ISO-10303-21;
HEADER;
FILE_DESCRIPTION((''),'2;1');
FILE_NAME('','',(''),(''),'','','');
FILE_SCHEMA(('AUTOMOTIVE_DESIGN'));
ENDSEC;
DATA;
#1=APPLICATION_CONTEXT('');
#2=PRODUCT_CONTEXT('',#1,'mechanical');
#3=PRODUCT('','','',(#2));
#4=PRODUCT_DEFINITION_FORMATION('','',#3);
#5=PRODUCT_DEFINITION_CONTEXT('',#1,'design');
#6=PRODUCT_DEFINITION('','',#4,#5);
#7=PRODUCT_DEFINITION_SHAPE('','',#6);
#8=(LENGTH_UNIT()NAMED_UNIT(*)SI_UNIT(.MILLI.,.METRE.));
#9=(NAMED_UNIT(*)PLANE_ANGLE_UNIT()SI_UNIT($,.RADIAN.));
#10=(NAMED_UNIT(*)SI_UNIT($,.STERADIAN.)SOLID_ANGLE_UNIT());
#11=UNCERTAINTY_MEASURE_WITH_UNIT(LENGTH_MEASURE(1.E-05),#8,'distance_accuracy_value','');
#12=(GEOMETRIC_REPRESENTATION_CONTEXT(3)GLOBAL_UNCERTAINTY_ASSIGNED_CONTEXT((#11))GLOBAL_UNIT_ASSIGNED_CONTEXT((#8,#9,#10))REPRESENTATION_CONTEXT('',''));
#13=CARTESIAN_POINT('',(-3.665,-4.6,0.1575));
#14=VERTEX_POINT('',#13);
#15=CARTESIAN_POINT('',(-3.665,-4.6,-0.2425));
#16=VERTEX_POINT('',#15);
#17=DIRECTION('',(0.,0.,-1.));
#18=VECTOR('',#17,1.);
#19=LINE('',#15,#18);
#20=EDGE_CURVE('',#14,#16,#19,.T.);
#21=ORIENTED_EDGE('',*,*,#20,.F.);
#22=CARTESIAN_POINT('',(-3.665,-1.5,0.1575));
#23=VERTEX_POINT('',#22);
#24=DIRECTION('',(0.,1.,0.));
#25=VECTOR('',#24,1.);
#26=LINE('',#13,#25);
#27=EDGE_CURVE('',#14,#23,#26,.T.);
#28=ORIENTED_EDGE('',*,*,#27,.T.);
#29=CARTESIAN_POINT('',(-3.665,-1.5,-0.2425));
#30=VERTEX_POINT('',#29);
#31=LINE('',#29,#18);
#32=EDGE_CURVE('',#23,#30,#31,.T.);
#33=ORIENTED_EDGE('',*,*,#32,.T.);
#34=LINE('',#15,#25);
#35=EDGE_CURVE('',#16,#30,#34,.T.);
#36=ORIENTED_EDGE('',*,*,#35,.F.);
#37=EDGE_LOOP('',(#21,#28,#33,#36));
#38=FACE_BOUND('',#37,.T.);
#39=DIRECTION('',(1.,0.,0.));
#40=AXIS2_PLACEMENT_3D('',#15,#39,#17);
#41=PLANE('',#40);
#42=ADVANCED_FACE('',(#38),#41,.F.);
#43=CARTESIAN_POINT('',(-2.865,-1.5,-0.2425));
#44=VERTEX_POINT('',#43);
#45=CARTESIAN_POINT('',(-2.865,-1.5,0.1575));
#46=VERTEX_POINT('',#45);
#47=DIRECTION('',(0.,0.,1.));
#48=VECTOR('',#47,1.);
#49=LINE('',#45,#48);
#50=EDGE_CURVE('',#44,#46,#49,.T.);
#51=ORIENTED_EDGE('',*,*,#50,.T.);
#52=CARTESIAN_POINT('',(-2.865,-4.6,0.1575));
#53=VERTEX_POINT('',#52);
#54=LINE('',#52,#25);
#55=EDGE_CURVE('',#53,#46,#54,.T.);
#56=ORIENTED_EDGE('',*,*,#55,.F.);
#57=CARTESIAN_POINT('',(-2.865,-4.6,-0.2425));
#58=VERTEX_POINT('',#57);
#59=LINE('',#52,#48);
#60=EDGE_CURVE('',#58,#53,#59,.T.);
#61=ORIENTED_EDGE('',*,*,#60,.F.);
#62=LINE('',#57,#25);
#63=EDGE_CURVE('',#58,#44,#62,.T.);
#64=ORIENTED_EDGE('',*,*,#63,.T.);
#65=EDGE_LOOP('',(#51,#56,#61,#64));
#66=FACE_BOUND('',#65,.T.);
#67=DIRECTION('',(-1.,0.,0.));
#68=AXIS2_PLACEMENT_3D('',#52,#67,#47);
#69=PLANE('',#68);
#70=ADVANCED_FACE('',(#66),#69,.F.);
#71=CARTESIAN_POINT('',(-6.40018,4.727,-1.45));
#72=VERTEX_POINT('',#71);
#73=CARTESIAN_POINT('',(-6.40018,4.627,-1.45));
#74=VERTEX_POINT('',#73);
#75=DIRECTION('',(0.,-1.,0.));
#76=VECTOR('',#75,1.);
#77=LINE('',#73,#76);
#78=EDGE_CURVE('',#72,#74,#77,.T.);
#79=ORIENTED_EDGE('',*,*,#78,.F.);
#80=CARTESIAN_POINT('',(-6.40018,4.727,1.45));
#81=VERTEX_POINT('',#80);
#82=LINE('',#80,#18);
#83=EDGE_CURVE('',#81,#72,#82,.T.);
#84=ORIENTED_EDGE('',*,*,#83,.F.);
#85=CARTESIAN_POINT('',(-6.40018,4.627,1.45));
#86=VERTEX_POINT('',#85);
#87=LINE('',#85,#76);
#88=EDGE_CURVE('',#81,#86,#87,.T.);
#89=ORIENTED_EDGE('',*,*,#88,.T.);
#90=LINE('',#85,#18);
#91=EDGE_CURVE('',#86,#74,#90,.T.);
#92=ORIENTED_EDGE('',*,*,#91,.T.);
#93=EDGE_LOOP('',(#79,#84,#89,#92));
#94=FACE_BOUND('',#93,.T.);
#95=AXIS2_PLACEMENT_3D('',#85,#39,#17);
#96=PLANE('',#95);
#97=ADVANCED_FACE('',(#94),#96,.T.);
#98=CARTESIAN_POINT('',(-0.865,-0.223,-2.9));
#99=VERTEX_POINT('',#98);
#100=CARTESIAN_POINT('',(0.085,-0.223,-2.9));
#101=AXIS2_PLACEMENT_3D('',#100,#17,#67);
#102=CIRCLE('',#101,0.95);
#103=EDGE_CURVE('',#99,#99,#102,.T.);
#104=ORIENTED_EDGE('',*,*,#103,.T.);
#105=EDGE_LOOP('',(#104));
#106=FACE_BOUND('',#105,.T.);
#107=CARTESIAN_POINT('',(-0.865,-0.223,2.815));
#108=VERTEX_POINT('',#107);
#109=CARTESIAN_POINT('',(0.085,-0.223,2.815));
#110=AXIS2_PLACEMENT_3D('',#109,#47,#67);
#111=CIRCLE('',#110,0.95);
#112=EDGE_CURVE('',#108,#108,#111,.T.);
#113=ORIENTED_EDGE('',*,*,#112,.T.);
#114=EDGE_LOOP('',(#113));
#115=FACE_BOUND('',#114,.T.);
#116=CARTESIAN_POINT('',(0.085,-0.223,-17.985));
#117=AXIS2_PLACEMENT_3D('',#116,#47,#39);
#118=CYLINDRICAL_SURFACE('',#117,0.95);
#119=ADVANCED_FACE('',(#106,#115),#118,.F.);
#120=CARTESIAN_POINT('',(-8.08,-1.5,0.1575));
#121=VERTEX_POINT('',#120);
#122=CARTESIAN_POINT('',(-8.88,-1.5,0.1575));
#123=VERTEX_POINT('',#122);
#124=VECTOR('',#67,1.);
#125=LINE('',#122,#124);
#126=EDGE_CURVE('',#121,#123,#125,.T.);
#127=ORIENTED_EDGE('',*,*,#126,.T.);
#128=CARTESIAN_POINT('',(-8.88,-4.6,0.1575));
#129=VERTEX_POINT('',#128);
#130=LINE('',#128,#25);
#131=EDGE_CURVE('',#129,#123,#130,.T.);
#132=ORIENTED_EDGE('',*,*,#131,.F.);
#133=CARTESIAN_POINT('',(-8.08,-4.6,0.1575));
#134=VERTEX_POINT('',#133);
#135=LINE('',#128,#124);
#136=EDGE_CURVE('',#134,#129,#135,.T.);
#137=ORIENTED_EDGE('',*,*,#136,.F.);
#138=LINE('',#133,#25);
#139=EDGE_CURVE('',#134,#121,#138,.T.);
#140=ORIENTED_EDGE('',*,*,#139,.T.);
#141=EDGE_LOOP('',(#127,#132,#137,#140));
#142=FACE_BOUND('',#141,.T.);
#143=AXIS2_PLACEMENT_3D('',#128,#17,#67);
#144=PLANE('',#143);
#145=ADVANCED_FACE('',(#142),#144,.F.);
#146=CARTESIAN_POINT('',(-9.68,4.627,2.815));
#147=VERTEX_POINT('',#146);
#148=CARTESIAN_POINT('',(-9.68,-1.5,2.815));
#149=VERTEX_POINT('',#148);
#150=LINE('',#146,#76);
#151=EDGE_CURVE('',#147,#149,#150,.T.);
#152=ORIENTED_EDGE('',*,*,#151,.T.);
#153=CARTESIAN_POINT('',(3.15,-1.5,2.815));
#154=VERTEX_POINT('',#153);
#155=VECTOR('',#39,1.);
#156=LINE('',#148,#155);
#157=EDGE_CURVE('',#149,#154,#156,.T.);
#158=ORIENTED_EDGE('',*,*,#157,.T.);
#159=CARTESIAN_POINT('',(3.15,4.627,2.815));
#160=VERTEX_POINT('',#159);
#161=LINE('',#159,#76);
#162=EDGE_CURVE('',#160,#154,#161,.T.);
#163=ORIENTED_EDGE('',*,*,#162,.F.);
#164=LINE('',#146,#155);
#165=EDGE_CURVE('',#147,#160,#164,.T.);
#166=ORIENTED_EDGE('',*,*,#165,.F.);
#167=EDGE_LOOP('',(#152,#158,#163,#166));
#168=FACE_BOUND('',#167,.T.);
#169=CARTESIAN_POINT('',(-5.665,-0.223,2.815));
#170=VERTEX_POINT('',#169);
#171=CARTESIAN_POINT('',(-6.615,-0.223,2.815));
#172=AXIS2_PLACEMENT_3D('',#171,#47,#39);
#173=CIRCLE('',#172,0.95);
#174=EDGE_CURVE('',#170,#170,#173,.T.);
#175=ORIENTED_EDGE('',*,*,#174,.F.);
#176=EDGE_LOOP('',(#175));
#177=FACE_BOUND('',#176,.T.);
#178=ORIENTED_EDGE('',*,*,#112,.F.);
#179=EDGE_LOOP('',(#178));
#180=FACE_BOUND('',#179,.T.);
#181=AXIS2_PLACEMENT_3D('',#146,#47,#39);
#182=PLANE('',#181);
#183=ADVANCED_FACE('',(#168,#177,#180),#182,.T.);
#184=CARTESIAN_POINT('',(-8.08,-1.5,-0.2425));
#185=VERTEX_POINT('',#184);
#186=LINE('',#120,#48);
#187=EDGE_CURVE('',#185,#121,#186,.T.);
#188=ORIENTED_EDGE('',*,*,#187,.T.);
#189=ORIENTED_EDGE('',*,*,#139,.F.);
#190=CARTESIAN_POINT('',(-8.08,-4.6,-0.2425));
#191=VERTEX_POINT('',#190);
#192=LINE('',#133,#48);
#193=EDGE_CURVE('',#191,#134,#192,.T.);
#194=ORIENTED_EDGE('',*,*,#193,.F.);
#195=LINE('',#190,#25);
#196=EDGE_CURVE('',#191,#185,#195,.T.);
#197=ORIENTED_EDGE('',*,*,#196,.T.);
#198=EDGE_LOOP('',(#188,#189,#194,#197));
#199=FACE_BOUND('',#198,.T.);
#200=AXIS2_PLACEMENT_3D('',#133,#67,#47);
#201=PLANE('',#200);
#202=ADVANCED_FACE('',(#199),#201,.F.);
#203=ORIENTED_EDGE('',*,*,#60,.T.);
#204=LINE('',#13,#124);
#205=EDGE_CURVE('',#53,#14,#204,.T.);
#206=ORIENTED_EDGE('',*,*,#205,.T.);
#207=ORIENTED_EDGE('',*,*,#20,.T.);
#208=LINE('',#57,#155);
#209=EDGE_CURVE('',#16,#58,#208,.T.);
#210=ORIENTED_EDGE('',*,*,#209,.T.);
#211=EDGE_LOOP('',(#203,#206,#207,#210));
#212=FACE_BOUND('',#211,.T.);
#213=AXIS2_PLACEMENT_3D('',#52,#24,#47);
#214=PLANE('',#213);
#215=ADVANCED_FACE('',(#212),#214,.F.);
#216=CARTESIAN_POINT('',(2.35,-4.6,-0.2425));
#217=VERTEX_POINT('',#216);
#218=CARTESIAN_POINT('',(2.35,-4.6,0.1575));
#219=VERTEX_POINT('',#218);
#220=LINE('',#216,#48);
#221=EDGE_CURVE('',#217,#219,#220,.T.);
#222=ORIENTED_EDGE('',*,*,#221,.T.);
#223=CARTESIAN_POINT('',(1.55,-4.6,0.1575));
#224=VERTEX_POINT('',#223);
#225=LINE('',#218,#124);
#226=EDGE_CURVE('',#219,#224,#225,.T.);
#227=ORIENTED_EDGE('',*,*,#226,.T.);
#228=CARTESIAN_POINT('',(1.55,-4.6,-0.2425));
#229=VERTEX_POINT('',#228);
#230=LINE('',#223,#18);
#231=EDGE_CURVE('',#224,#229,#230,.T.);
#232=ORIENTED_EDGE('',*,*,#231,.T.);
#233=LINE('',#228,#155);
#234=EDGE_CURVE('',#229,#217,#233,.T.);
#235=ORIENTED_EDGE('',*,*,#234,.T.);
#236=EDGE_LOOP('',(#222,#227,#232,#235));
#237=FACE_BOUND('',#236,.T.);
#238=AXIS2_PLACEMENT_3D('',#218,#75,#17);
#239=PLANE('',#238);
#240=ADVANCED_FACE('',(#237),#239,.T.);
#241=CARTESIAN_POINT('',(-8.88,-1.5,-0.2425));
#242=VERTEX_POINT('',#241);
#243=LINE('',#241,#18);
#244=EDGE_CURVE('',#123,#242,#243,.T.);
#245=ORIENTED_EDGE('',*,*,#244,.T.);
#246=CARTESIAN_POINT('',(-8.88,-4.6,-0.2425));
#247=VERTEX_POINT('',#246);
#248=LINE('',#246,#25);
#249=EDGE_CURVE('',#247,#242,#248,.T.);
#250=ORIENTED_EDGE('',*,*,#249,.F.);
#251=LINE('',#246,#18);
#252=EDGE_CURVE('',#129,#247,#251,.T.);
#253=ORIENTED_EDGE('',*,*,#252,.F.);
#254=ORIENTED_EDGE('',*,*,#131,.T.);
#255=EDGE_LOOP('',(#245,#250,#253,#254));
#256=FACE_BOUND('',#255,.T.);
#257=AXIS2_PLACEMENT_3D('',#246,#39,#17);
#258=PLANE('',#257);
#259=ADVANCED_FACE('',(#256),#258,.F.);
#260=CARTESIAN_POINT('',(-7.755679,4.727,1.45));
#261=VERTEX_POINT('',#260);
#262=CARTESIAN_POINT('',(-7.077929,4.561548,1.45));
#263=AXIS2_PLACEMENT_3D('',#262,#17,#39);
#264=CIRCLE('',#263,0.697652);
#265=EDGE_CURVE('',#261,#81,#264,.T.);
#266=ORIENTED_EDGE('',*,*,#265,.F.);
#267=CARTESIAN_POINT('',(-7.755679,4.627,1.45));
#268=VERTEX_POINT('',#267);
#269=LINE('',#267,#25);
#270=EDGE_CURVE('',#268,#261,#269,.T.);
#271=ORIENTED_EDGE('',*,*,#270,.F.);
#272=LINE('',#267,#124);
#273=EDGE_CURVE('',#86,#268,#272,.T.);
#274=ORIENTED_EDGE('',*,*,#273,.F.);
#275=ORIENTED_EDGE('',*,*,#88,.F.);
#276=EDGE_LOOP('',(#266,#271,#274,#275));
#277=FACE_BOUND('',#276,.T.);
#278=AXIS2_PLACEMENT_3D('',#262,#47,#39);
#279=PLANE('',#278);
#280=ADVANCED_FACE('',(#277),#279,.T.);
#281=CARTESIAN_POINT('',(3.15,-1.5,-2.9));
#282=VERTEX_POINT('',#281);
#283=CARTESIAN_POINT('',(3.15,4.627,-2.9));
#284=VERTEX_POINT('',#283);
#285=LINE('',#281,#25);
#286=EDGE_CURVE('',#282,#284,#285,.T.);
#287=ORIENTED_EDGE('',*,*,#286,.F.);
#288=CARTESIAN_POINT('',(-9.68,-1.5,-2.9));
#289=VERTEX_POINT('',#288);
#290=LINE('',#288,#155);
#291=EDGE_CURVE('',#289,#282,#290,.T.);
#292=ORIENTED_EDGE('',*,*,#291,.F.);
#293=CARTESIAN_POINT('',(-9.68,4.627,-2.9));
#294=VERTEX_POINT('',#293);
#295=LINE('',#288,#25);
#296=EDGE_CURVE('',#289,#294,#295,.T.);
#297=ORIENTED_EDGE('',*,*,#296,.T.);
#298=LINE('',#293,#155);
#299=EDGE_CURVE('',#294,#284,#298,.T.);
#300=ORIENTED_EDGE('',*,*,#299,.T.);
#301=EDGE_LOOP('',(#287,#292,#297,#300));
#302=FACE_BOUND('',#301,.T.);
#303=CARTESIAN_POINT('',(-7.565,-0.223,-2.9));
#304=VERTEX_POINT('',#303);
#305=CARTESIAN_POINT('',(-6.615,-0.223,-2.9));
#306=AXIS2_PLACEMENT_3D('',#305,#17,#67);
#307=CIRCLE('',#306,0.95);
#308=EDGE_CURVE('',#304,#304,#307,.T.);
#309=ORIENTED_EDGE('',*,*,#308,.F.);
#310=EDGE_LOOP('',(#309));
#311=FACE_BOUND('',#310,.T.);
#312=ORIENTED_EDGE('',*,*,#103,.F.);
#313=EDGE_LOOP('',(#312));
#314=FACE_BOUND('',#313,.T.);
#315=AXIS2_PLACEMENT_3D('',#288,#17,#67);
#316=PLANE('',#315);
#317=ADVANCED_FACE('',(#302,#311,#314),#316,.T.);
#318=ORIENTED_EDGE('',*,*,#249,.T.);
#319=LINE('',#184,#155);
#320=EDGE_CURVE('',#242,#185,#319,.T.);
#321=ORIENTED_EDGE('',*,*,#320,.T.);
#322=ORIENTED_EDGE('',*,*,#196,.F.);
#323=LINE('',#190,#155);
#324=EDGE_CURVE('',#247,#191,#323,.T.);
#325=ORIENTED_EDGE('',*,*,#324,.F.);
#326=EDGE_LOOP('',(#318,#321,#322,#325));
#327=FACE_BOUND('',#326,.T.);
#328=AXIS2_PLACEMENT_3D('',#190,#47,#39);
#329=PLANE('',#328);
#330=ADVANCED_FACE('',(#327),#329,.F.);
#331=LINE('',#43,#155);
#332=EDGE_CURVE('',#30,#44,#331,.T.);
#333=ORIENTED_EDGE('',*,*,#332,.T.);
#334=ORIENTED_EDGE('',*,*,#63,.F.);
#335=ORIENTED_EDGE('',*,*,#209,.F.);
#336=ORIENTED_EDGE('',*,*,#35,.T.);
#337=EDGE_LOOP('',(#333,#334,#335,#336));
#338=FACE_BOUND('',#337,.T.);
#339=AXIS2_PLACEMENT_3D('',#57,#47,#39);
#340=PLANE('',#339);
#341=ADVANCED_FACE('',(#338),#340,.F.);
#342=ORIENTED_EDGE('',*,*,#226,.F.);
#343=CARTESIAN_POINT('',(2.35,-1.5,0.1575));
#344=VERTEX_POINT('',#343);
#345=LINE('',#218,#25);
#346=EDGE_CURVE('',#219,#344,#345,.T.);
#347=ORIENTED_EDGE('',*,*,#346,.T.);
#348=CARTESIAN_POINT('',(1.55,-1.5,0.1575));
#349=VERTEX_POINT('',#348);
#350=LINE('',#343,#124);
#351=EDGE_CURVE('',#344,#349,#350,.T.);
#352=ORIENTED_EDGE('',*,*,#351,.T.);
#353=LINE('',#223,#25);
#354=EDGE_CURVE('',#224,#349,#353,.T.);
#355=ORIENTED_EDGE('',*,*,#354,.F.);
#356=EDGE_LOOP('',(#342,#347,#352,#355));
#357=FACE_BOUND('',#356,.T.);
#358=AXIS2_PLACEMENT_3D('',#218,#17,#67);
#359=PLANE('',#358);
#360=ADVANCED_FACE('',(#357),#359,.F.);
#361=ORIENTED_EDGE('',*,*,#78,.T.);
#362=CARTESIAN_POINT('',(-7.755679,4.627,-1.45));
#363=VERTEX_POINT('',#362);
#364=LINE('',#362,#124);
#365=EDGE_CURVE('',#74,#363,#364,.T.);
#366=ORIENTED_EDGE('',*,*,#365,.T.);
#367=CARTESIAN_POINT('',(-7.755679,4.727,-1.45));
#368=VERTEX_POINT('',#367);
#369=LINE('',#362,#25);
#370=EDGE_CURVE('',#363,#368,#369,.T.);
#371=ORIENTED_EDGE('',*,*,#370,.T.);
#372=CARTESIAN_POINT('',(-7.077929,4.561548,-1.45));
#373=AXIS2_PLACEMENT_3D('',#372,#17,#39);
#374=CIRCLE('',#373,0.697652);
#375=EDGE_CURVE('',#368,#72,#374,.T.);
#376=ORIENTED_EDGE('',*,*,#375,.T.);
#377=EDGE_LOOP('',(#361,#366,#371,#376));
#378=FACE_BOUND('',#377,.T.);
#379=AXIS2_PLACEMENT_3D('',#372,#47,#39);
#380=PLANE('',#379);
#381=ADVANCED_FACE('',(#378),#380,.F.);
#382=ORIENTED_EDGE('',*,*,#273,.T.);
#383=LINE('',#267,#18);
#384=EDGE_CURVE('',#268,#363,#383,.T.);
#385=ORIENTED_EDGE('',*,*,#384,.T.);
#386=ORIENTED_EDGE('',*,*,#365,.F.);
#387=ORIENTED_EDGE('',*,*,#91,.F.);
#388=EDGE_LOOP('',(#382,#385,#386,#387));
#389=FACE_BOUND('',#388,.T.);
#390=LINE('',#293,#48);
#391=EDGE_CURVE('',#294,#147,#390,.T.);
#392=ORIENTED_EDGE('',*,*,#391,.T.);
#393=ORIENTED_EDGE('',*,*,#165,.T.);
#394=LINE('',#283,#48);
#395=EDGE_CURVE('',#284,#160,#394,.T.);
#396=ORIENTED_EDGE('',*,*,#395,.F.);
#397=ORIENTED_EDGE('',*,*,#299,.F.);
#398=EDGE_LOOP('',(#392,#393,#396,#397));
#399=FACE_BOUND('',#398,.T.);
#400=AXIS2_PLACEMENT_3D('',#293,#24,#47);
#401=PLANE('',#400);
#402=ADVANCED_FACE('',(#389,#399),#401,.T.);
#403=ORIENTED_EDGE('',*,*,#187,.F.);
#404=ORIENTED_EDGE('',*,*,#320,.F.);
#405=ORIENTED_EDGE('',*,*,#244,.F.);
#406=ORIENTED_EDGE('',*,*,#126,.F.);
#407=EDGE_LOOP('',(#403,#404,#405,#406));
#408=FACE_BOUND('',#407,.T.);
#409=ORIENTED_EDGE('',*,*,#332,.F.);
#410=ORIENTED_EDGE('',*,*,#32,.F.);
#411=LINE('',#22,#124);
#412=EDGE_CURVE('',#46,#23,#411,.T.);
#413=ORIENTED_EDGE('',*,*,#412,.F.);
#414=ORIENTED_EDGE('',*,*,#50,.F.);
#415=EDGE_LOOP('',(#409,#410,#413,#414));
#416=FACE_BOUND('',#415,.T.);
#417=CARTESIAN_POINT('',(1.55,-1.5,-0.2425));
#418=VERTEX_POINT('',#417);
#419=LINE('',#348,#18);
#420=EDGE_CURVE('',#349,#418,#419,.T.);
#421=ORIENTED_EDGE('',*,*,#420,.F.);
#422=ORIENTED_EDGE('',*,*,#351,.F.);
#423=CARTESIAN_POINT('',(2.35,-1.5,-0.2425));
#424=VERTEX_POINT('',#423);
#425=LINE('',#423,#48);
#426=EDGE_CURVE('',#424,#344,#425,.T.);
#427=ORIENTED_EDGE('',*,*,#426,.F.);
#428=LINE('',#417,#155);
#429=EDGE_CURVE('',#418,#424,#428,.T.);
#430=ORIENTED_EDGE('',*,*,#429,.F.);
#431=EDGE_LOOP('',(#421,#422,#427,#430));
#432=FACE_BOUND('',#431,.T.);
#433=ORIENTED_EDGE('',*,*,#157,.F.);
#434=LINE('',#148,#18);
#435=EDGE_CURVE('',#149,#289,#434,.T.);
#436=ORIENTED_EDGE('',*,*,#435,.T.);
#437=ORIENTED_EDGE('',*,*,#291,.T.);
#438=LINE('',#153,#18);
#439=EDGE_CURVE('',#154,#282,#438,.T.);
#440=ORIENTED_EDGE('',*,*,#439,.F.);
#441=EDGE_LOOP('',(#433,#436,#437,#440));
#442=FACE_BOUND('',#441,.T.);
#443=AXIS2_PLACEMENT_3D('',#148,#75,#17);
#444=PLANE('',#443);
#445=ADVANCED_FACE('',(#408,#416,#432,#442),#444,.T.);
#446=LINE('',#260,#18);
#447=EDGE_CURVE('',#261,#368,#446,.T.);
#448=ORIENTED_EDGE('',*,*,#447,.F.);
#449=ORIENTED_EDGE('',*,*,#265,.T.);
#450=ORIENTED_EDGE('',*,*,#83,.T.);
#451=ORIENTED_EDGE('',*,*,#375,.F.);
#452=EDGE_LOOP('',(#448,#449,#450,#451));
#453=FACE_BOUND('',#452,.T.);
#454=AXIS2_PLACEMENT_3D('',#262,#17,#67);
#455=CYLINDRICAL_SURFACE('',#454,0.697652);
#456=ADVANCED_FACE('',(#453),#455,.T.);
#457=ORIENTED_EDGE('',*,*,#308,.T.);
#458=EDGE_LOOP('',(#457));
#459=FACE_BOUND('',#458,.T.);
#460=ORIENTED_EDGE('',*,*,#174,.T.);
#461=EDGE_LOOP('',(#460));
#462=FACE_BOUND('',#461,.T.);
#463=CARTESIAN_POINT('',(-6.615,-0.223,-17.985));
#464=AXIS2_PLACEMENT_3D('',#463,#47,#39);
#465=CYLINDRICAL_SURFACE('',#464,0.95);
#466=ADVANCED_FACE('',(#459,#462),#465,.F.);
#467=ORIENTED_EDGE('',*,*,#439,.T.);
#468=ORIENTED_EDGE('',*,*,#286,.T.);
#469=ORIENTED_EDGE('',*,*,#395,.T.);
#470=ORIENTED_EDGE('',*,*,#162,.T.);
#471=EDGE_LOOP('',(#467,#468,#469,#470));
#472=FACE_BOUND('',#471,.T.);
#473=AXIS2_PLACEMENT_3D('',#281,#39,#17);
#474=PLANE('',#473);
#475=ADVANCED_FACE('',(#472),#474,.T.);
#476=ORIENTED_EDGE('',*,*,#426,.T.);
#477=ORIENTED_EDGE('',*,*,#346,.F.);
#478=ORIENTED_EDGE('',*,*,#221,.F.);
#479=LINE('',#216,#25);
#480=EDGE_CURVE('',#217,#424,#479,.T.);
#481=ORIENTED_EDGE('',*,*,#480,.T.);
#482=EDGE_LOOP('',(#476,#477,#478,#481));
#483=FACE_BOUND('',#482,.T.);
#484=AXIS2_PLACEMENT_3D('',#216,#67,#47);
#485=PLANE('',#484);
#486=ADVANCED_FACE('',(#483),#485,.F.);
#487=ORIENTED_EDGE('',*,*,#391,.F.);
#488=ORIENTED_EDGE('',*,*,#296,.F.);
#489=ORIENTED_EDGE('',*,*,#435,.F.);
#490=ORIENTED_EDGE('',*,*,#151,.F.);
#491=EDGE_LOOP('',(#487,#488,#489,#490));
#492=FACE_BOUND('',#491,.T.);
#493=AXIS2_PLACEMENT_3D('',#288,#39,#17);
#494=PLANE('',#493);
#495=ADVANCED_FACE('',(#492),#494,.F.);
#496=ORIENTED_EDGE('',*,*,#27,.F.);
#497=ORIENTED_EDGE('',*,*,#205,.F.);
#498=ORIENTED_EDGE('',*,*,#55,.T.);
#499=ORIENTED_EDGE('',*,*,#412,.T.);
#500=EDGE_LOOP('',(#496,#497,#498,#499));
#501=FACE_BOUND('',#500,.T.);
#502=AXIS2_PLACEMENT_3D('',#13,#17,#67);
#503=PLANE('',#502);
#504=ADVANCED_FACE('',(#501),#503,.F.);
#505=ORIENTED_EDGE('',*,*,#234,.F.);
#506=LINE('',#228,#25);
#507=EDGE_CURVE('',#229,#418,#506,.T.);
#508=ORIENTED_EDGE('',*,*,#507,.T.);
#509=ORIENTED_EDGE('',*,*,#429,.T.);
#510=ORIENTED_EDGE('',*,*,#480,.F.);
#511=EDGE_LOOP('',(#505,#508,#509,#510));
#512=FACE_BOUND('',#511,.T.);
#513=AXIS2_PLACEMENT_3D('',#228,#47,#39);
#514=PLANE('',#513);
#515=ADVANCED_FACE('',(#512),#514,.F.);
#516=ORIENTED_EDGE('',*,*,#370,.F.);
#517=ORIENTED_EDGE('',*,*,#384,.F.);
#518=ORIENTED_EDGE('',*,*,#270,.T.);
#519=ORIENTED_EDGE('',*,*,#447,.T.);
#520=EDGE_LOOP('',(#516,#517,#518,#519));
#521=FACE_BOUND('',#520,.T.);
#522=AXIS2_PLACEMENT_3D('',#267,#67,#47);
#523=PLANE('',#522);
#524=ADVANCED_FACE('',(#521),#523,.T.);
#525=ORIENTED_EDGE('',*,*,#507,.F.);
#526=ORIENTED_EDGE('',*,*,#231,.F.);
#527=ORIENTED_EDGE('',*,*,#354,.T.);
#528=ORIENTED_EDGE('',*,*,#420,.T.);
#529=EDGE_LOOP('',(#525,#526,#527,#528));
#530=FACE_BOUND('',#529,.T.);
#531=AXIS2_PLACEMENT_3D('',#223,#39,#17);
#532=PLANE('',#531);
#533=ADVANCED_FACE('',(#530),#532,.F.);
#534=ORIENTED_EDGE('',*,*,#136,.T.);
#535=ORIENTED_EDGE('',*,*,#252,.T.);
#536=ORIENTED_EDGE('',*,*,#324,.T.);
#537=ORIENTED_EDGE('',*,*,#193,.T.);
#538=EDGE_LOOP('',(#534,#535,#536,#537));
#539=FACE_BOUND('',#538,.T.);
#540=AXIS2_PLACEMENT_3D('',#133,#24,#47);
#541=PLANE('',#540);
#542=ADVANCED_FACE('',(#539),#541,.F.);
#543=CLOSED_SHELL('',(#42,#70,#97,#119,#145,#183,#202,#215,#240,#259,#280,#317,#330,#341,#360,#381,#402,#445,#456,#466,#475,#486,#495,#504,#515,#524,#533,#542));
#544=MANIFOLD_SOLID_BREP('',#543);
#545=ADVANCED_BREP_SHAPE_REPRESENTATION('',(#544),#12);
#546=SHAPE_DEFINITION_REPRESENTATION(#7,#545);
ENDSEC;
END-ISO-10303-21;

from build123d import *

# Parameters (mm, degrees)
SKETCH1_W          = 5.715
SKETCH1_H          = 6.127
EXTRUDE1_DEPTH     = 12.83
SKETCH2_R          = 0.95
CUT_EXTRUDE1_DEPTH = 20.8
SKETCH4_W          = 0.8
SKETCH4_H          = 0.4
EXTRUDE2_DEPTH     = 3.1
EXTRUDE5_DEPTH     = 2.9


with BuildPart() as part:
    # Sketch1 → Extrude1 (new body)
    with BuildSketch(Plane(origin=(3.15, 0, 0), x_dir=(0, 0, -1), z_dir=(1, 0, 0))):
        with Locations((0.0425, 1.5635)):
            Rectangle(SKETCH1_W, SKETCH1_H)
    extrude(amount=-EXTRUDE1_DEPTH)

    # Sketch2 → Cut-Extrude1 (cut)
    with BuildSketch(Plane.XY.offset(2.815)):
        with Locations((0.085, -0.223)):
            Circle(SKETCH2_R)
        with Locations((-6.615, -0.223)):
            Circle(SKETCH2_R)
    extrude(amount=-CUT_EXTRUDE1_DEPTH, mode=Mode.SUBTRACT)

    # Sketch4 → Extrude2 (add)
    with BuildSketch(Plane.XZ.offset(1.5)):
        with Locations((-8.48, -0.0425)):
            Rectangle(SKETCH4_W, SKETCH4_H)
        with Locations((-3.265, -0.0425)):
            Rectangle(SKETCH4_W, SKETCH4_H)
        with Locations((1.95, -0.0425)):
            Rectangle(SKETCH4_W, SKETCH4_H)
    extrude(amount=EXTRUDE2_DEPTH)

    # Sketch7 → Extrude5 (add)
    with BuildSketch(Plane(origin=(0, 0, -1.45), x_dir=(-1, 0, 0), z_dir=(0, 0, -1))):
        with BuildLine():
            Line((7.755679036, 4.627), (6.400179952, 4.627))
            Line((6.400179952, 4.627), (6.400179952, 4.727))
            ThreePointArc((6.400179952, 4.727), (7.077929494, 5.259200233), (7.755679036, 4.727))
            Line((7.755679036, 4.727), (7.755679036, 4.627))
        make_face()
    extrude(amount=-EXTRUDE5_DEPTH)


solid = part.part
